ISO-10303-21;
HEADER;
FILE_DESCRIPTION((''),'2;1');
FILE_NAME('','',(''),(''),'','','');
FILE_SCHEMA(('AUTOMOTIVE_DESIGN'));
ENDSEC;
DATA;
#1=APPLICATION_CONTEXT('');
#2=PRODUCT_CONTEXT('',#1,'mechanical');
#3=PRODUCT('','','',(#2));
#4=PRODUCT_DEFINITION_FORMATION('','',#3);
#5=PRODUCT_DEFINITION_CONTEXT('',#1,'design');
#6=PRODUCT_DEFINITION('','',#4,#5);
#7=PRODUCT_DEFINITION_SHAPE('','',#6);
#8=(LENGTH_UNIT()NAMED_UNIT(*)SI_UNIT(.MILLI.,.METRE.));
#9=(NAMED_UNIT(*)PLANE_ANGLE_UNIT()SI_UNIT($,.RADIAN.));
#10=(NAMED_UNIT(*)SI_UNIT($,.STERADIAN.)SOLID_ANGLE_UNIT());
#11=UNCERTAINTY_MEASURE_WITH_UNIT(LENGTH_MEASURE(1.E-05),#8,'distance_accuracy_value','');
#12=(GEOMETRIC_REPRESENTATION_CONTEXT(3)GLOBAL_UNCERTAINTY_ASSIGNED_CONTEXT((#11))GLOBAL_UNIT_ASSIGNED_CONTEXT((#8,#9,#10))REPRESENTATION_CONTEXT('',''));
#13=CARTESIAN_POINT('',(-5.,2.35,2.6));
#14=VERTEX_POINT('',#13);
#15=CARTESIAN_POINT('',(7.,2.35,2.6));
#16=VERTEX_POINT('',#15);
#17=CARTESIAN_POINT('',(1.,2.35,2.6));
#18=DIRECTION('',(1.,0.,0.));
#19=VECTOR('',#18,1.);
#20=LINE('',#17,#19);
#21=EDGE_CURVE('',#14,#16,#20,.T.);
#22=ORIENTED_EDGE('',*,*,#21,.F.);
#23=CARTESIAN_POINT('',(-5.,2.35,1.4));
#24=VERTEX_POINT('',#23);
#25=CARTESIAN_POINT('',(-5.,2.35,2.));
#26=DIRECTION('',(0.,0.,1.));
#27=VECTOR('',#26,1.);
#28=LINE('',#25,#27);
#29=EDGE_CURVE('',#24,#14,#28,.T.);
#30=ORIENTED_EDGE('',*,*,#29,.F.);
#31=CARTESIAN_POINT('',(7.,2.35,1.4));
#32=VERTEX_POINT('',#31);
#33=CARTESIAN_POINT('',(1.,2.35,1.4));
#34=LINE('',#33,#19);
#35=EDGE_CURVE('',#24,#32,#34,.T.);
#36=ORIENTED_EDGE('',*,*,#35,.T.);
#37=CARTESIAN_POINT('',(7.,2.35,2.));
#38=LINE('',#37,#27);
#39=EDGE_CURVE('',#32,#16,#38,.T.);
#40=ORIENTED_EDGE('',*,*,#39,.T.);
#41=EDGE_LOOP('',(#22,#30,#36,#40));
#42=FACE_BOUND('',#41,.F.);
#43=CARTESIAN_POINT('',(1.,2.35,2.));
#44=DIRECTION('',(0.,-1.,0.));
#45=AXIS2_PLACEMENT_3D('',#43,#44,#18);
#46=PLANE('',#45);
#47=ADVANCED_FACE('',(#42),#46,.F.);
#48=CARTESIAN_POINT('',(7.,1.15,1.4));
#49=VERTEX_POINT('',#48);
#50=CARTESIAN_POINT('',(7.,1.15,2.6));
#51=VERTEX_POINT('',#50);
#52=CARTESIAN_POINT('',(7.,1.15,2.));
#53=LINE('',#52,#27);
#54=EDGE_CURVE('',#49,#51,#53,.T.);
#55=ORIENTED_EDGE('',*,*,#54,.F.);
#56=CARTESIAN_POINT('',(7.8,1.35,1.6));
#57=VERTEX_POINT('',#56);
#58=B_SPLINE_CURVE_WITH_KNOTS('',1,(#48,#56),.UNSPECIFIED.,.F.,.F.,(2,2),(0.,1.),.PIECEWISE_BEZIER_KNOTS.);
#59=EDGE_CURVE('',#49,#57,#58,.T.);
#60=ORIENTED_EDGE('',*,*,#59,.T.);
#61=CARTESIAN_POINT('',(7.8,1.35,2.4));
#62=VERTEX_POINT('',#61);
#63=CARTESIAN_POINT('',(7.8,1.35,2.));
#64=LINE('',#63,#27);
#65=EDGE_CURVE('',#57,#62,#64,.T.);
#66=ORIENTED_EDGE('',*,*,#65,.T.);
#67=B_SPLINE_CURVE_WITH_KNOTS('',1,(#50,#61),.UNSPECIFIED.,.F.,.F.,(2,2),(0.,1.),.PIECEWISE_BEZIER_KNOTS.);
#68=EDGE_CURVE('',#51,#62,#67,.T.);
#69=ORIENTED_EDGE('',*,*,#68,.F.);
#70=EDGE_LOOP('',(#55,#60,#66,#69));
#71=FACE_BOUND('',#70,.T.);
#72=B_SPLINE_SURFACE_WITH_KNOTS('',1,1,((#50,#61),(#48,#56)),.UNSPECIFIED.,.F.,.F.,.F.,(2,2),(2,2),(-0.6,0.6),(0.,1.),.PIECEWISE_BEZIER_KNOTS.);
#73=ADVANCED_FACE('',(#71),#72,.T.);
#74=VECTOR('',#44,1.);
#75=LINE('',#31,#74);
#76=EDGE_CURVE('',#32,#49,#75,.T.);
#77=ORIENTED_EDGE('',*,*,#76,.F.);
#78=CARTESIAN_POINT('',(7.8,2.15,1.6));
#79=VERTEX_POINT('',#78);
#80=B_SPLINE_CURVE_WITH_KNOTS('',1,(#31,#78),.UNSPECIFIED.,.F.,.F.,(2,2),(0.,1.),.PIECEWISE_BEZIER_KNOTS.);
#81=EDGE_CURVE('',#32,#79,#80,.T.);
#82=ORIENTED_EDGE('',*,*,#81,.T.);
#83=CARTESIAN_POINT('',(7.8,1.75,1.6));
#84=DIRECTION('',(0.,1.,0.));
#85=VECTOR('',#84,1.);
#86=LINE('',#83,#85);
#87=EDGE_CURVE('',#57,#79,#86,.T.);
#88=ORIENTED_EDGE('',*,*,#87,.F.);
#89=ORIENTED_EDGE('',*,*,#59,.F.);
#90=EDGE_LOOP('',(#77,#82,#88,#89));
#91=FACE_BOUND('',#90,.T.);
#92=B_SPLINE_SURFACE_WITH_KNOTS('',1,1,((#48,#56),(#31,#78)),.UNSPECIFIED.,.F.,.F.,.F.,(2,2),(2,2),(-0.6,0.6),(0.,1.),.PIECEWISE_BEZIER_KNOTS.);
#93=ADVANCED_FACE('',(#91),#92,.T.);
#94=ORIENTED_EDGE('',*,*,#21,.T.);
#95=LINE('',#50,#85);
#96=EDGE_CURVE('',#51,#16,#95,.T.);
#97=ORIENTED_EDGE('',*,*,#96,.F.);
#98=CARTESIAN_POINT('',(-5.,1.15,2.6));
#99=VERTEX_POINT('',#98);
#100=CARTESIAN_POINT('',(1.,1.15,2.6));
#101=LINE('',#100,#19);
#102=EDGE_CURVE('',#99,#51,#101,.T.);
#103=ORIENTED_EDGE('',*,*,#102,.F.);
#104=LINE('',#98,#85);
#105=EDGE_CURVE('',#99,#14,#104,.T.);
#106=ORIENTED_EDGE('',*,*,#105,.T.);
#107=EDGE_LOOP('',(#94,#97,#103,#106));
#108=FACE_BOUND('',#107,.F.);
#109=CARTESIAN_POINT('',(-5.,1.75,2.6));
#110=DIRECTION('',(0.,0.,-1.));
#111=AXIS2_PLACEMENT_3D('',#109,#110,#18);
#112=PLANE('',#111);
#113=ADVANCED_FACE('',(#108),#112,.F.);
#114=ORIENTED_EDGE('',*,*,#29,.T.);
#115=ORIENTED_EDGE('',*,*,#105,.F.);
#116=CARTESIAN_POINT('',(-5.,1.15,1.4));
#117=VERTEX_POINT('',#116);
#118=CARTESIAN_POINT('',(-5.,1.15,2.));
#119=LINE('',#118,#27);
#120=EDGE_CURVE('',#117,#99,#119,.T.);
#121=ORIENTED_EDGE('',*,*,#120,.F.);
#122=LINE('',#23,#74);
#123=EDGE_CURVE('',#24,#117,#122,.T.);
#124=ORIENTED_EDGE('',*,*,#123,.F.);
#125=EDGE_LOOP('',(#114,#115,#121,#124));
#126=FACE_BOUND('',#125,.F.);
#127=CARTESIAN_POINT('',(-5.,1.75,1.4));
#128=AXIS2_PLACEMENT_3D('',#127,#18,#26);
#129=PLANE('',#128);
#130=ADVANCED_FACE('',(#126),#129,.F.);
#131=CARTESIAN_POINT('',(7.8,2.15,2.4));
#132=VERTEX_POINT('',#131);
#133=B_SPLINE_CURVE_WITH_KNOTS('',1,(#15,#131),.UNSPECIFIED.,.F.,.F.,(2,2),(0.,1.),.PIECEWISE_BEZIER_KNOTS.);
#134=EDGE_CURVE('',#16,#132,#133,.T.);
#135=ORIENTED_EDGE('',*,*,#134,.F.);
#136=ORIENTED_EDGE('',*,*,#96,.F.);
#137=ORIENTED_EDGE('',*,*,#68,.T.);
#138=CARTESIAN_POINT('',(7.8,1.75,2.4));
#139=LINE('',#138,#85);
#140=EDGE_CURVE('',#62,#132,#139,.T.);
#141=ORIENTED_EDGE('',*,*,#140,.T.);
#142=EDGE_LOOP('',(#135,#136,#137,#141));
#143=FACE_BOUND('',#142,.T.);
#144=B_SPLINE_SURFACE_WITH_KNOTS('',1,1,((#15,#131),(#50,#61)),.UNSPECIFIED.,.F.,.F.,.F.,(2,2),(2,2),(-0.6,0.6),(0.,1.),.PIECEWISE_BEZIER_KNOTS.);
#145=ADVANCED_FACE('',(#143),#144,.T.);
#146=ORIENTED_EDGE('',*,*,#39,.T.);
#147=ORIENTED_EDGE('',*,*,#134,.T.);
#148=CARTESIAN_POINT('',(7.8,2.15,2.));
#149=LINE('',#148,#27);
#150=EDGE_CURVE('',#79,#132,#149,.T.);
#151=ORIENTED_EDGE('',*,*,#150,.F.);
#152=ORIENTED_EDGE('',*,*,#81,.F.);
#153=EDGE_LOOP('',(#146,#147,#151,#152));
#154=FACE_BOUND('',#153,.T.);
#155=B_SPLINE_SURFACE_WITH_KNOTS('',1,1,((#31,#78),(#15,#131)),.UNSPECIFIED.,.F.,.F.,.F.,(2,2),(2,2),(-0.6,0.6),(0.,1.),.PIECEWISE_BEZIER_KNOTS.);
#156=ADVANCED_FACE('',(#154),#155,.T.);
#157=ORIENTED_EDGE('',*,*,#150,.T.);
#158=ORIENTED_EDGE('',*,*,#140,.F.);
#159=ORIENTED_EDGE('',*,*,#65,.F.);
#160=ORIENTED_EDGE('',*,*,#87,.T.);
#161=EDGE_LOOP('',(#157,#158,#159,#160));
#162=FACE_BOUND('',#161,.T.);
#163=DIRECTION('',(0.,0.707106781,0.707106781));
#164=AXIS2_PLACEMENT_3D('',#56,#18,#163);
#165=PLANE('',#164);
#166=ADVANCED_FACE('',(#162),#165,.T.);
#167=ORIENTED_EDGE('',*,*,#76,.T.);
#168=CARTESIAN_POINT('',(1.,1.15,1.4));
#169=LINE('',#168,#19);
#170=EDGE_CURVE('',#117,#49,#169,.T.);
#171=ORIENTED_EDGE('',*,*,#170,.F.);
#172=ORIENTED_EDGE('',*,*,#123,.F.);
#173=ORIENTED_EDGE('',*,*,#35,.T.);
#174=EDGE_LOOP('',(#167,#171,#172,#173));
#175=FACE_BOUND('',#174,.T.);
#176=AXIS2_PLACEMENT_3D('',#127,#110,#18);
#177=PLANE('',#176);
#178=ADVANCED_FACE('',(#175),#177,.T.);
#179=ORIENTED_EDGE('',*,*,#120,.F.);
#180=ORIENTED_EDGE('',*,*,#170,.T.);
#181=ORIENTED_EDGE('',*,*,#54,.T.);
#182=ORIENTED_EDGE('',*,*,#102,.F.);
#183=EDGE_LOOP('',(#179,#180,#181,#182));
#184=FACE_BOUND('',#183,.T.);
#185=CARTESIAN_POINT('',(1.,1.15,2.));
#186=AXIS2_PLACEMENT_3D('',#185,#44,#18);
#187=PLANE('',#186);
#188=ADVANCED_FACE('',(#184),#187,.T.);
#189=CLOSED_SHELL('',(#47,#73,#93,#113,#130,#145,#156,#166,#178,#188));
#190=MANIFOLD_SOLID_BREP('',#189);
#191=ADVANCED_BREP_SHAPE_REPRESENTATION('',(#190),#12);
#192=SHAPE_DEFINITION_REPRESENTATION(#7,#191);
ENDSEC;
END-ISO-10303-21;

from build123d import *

# Parameters (mm, degrees)
SKETCH005_W  = 1.2
SKETCH005_H  = 1.2
SKETCH006_W  = 0.8
SKETCH006_H  = 0.8
SKETCH004_W  = 12
SKETCH004_H  = 1.2
PAD001_DEPTH = 0.6


with BuildPart() as loft_body:
    # Sketch005 → Loft section 0
    with BuildSketch(Plane.YZ):
        Rectangle(SKETCH005_W, SKETCH005_H)
    # Sketch006 → Loft section 1
    with BuildSketch(Plane.YZ.offset(0.8)):
        Rectangle(SKETCH006_W, SKETCH006_H)
    loft()


with BuildPart() as loft_body_1:
    # Loft placement: moved
    add(loft_body.part.moved(Location((7, 0, 0))))


with BuildPart() as fusion:
    # Sketch004 → Pad001 (new body, symmetric)
    with BuildSketch(Plane.XZ):
        with Locations((1, 0)):
            Rectangle(SKETCH004_W, SKETCH004_H)
    extrude(amount=PAD001_DEPTH, both=True)

    # Fusion: union Loft body
    add(loft_body_1.part)


with BuildPart() as fusion_1:
    # Fusion placement: moved
    add(fusion.part.moved(Location((0, 1.75, 2))))


solid = fusion_1.part
